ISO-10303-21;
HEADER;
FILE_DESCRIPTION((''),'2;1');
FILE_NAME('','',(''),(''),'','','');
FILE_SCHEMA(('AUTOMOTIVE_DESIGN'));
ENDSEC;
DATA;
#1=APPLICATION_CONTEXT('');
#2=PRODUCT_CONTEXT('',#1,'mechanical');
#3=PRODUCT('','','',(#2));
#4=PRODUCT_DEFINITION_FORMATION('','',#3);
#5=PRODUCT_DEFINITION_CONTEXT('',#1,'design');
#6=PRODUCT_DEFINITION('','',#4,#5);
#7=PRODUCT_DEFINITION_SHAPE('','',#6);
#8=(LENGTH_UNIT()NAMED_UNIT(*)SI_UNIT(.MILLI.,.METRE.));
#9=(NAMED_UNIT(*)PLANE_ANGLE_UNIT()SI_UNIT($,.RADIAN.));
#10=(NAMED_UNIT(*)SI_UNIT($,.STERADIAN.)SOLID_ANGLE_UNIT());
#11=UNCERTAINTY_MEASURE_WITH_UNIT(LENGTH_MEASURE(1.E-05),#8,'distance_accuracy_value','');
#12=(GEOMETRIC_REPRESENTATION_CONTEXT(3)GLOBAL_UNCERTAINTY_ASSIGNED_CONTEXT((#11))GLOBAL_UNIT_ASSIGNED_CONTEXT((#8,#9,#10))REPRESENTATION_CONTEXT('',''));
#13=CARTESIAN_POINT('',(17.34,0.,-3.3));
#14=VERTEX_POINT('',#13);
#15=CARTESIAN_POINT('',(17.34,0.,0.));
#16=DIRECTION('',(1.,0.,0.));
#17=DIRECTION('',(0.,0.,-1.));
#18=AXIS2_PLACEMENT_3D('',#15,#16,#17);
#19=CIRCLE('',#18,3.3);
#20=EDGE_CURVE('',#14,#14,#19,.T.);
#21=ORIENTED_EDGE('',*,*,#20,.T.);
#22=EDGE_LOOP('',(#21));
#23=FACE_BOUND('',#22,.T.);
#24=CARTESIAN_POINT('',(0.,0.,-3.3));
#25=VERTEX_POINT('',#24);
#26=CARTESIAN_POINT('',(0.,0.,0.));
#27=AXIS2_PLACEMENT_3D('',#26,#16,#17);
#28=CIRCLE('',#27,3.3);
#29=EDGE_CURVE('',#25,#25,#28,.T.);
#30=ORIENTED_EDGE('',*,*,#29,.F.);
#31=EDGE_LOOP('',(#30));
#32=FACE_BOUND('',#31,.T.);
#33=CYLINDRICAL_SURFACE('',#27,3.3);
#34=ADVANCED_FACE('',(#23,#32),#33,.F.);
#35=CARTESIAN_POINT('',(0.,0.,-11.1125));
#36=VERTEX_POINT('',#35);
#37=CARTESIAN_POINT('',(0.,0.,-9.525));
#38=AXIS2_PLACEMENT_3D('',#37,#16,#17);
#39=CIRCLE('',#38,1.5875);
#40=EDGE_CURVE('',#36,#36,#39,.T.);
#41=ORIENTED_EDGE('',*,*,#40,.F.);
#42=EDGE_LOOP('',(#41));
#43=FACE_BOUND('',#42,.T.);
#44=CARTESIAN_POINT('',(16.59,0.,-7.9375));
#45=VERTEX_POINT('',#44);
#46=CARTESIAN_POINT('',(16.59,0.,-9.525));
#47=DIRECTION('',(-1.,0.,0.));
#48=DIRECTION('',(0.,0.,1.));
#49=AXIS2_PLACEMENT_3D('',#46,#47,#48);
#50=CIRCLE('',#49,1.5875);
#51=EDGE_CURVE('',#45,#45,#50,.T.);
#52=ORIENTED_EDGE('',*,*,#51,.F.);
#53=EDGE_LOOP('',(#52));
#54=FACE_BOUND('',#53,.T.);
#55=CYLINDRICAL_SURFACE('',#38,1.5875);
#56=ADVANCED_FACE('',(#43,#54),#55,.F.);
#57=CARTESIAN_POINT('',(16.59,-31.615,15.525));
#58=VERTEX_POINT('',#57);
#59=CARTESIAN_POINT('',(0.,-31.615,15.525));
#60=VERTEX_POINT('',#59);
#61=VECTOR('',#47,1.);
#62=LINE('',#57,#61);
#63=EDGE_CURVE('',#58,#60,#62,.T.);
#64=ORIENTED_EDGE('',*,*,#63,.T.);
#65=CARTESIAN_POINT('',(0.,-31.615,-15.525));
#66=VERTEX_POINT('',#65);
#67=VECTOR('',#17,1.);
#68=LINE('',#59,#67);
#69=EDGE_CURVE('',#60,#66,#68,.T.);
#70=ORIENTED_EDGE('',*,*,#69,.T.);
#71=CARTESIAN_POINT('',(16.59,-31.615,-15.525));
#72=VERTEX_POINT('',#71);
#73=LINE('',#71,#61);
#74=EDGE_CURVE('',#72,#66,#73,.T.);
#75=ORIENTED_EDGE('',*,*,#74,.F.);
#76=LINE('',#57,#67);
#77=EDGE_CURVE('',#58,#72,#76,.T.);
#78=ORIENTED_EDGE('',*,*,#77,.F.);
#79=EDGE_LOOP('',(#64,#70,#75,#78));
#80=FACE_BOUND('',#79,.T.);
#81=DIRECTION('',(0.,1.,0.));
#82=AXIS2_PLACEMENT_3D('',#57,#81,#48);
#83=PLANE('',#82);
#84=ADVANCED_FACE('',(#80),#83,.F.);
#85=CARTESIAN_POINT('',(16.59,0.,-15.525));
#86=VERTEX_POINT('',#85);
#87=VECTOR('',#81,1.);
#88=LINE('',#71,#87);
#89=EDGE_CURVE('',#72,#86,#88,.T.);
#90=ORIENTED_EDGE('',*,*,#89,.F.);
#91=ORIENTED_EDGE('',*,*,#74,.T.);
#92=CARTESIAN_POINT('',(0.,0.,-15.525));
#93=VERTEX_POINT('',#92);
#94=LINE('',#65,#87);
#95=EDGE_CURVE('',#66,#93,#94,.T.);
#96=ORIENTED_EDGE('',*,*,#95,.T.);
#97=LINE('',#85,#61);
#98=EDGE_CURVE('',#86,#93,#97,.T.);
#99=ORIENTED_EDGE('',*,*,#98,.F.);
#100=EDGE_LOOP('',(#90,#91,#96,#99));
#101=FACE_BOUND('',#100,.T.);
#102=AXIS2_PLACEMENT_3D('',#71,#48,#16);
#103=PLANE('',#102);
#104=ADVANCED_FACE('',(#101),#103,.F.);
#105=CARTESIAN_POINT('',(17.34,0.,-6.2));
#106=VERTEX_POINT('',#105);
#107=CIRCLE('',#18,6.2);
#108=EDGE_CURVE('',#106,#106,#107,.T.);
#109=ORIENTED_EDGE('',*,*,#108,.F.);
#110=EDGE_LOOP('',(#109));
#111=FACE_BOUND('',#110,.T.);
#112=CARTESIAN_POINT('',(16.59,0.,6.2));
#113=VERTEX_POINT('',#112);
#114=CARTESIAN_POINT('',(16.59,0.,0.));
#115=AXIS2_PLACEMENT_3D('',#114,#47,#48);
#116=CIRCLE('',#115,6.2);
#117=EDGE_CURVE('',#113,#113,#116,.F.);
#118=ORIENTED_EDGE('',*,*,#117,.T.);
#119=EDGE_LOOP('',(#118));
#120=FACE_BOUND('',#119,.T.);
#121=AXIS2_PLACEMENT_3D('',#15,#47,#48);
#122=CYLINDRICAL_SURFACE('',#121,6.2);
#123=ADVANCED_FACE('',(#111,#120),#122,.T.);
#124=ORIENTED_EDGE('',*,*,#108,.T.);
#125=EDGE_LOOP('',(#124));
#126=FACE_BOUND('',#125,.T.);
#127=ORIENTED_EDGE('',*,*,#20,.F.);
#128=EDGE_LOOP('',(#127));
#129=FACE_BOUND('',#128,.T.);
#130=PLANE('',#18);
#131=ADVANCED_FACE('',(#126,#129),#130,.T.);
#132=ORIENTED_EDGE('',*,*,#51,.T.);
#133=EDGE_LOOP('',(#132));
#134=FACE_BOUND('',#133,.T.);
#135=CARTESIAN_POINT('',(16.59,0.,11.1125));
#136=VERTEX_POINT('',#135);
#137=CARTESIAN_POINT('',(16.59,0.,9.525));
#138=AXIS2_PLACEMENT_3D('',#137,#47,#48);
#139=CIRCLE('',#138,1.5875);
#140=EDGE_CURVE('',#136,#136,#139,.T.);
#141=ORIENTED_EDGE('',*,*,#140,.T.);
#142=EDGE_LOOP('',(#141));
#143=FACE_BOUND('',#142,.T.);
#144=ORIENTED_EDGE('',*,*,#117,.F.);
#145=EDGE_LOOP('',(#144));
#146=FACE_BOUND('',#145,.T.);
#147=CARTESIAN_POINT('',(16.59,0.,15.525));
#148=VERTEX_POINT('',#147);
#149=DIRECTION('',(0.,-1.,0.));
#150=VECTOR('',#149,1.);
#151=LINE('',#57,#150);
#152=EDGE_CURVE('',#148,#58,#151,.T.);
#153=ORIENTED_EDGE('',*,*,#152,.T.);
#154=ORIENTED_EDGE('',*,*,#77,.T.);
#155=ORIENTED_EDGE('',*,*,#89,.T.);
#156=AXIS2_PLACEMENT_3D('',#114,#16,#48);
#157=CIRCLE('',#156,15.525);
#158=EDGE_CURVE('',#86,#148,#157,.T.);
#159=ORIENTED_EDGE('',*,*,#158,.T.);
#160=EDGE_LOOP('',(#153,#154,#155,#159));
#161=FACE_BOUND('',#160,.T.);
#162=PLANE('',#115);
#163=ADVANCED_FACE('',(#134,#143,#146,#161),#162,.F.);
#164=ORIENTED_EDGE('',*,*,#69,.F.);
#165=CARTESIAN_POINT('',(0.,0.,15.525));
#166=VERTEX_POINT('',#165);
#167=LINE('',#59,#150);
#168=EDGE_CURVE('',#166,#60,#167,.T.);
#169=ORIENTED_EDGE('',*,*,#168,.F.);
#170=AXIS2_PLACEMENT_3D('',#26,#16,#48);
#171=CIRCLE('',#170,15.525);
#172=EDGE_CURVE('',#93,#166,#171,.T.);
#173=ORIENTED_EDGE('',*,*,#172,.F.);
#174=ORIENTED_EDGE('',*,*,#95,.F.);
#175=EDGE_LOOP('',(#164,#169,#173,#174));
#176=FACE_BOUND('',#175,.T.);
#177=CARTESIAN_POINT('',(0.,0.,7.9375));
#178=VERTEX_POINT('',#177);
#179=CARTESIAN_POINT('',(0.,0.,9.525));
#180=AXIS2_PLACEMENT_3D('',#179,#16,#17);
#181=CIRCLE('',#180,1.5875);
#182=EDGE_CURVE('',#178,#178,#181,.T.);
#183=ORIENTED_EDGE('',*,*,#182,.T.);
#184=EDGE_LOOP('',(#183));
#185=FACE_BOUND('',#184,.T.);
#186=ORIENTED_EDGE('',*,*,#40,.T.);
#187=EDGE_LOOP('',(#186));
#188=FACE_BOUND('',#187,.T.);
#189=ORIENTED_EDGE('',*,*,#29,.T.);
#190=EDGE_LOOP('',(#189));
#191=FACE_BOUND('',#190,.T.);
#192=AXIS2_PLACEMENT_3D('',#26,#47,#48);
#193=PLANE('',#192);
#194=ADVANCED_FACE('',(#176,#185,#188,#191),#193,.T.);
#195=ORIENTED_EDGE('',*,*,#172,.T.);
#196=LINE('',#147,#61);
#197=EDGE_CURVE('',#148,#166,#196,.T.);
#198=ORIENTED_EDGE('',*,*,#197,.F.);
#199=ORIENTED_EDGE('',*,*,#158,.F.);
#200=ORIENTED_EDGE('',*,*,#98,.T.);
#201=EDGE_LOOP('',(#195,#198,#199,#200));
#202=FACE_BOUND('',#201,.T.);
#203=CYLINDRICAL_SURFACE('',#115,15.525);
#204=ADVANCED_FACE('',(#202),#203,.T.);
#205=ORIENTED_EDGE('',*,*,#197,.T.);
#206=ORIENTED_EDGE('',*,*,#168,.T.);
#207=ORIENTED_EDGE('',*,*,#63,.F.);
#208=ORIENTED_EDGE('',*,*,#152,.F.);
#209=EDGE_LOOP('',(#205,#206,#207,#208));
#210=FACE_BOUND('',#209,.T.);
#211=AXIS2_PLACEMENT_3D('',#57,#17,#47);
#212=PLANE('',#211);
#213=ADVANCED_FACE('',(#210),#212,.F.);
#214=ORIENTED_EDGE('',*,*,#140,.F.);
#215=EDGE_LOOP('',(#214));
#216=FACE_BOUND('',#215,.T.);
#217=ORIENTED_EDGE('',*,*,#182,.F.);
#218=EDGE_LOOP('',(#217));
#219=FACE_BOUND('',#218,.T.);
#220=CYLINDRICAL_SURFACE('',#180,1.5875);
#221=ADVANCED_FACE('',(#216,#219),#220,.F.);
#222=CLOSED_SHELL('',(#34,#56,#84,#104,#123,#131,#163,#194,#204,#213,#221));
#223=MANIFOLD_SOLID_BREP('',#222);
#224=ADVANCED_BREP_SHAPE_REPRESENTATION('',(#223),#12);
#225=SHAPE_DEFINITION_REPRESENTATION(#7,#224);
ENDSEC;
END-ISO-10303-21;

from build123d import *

# Parameters (mm, degrees)
BOSS_EXTRUDE1_DEPTH = 16.59
SKETCH2_R           = 6.2
BOSS_EXTRUDE2_DEPTH = 0.75
SKETCH3_R           = 3.3
SKETCH3_R_2         = 1.5875
CUT_EXTRUDE1_DEPTH  = 40.258240536


with BuildPart() as part:
    # Sketch1 → Boss-Extrude1 (new body)
    with BuildSketch(Plane(origin=(0, 0, 0), x_dir=(0, 0, -1), z_dir=(1, 0, 0))):
        with BuildLine():
            Line((-15.525, -31.615), (15.525, -31.615))
            Line((15.525, -31.615), (15.525, 0))
            ThreePointArc((15.525, 0), (0, 15.525), (-15.525, 0))
            Line((-15.525, 0), (-15.525, -31.615))
        make_face()
    extrude(amount=BOSS_EXTRUDE1_DEPTH)

    # Sketch2 → Boss-Extrude2 (add)
    with BuildSketch(Plane(origin=(16.59, 0, 0), x_dir=(0, 0, -1), z_dir=(1, 0, 0))):
        with Locations(Location((0, 0, 0), (0, 0, 180))):
            Circle(SKETCH2_R)
    extrude(amount=BOSS_EXTRUDE2_DEPTH)

    # Sketch3 → Cut-Extrude1 (cut, through all)
    with BuildSketch(Plane(origin=(17.34, 0, 0), x_dir=(0, 0, -1), z_dir=(1, 0, 0))):
        Circle(SKETCH3_R)
        with Locations((-9.525, 0)):
            Circle(SKETCH3_R_2)
        with Locations((9.525, 0)):
            Circle(SKETCH3_R_2)
    extrude(amount=-CUT_EXTRUDE1_DEPTH, mode=Mode.SUBTRACT)


solid = part.part
